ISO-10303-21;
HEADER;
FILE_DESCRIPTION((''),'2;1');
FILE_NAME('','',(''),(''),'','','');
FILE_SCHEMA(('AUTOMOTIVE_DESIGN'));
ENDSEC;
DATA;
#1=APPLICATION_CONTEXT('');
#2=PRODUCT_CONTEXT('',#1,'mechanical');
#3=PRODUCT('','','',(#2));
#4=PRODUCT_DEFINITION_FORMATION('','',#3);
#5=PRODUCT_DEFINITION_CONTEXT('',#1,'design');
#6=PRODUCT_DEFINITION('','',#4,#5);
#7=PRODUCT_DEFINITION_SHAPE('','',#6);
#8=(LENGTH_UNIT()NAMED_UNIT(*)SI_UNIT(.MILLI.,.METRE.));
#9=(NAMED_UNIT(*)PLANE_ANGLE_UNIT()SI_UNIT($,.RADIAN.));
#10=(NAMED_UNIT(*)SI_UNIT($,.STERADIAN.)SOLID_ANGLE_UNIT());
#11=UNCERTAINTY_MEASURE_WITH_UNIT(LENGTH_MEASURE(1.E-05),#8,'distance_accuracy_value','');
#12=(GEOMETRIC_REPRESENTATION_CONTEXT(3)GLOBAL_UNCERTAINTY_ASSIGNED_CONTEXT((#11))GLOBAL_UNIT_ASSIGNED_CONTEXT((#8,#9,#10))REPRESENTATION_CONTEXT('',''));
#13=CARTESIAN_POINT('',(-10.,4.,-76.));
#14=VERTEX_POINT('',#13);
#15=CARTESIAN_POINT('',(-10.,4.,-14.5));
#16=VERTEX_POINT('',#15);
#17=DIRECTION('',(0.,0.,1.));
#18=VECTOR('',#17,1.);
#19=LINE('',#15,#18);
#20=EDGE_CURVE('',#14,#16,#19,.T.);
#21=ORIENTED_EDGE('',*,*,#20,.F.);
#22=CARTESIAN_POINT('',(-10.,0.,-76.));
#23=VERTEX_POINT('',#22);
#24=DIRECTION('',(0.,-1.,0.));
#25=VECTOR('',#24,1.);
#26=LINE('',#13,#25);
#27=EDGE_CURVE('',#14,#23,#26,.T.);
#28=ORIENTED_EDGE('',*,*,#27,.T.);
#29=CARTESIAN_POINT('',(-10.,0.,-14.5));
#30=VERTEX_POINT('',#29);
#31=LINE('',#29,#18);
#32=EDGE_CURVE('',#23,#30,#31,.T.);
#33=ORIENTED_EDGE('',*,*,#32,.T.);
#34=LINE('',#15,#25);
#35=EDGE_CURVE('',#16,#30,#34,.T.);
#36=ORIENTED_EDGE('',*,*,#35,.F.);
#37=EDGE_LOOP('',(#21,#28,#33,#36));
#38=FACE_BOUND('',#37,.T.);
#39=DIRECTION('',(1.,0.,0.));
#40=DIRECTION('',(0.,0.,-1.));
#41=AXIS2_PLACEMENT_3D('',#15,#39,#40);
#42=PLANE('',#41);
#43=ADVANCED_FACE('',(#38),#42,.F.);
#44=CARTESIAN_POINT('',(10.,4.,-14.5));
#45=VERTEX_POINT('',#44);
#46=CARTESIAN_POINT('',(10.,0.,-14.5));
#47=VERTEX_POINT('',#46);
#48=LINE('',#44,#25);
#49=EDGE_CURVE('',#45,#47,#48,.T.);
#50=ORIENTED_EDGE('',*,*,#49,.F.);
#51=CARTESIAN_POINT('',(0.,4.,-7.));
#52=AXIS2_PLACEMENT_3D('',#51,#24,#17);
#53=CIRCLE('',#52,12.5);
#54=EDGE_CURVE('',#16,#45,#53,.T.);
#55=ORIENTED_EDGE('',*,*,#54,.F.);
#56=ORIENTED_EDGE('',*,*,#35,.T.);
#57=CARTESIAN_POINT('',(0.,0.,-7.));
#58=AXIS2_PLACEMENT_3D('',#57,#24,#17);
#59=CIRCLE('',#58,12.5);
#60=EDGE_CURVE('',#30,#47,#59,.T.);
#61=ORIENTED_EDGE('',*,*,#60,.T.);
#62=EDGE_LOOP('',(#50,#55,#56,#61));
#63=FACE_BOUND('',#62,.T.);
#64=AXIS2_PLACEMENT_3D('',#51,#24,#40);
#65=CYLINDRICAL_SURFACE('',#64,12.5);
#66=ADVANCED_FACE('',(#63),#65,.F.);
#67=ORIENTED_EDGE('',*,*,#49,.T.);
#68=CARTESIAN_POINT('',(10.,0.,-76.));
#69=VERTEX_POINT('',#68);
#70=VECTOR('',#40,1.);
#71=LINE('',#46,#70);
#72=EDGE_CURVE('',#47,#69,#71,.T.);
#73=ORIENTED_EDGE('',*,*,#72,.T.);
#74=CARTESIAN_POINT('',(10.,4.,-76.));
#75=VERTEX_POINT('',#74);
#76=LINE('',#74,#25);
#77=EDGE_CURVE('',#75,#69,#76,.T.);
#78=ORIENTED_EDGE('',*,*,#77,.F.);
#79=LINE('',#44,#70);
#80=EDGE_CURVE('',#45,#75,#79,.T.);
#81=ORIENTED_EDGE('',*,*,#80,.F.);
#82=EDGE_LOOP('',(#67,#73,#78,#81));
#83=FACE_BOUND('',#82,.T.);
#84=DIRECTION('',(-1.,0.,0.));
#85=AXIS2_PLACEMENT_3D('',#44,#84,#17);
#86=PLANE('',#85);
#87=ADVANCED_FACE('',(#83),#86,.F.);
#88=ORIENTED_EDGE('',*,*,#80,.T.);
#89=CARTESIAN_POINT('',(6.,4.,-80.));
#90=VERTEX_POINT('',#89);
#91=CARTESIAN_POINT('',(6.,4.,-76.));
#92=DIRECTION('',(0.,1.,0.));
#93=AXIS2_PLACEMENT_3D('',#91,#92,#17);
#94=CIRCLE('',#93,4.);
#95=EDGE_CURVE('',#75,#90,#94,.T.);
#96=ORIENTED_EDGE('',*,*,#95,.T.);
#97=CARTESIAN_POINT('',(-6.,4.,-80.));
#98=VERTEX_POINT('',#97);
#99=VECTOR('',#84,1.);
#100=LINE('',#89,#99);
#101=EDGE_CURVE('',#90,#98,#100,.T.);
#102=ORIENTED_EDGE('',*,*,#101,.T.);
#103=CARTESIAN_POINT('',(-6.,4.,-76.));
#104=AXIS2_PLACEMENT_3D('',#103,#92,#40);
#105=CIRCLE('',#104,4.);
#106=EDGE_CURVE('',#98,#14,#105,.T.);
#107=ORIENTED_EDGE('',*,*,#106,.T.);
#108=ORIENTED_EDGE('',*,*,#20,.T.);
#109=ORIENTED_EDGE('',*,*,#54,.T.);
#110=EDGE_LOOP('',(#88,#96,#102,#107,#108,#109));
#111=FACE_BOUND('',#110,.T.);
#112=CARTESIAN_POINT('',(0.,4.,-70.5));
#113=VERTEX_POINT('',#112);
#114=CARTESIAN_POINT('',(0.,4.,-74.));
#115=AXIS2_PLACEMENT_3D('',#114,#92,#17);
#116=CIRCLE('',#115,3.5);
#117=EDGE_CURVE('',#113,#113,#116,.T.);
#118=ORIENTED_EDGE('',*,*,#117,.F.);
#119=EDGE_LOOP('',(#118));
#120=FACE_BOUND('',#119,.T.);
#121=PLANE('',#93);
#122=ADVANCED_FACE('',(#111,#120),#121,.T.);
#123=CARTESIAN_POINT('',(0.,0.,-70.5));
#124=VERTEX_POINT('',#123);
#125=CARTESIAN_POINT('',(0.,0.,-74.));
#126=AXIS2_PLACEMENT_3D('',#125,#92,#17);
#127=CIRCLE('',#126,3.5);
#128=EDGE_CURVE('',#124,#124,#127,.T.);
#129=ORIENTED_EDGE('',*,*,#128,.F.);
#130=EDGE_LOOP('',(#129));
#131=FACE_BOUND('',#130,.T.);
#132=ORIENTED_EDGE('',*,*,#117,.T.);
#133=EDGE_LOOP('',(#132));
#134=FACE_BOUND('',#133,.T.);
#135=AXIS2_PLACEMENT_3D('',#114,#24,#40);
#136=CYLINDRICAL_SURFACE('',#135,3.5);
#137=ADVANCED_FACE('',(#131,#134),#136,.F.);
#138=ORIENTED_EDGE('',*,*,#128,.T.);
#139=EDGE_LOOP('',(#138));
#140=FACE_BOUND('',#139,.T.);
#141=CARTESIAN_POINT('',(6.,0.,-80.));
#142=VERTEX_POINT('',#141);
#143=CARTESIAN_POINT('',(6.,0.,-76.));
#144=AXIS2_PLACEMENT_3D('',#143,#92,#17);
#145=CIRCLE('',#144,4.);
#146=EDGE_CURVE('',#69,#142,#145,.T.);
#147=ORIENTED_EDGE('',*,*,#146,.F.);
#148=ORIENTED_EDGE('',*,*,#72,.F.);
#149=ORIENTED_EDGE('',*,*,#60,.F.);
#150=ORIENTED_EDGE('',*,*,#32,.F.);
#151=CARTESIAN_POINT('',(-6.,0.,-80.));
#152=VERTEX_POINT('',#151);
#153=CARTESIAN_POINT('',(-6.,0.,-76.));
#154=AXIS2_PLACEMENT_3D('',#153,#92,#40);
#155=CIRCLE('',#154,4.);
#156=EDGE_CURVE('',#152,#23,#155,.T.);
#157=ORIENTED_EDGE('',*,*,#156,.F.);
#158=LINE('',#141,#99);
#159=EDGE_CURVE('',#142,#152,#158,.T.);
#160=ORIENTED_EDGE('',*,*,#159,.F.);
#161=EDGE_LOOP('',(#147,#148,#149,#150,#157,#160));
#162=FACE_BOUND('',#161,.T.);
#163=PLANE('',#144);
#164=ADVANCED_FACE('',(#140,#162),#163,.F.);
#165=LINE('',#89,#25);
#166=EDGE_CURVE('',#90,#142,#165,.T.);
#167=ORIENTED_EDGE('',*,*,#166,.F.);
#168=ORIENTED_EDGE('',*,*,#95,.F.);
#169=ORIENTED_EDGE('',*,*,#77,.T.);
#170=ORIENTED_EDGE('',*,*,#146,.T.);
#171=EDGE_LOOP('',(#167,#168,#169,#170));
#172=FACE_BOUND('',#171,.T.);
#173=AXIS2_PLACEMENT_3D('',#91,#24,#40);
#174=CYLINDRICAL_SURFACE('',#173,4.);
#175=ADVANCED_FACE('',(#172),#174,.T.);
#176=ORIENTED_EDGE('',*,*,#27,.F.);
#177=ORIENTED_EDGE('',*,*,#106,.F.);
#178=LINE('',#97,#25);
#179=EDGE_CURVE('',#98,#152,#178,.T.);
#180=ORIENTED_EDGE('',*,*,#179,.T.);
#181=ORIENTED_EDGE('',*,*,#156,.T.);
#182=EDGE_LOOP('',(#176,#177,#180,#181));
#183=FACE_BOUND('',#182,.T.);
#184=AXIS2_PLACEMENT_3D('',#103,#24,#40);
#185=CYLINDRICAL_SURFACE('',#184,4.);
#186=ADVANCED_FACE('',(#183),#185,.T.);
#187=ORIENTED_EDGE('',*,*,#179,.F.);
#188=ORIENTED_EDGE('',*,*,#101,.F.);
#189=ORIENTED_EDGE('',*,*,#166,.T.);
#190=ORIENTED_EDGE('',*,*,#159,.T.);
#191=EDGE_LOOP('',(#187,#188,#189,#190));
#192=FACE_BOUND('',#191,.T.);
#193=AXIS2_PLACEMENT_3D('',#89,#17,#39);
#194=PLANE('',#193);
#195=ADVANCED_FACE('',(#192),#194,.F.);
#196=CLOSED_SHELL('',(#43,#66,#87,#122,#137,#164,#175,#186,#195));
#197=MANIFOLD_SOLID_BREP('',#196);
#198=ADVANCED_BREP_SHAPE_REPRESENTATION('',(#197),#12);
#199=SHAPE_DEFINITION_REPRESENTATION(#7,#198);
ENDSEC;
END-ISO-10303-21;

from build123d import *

# Parameters (mm, degrees)
SKETCH1_R           = 3.5
BOSS_EXTRUDE1_DEPTH = 4


with BuildPart() as part:
    # Sketch1 → Boss-Extrude1 (new body)
    with BuildSketch(Plane(origin=(0, 0, 0), x_dir=(1, 0, 0), z_dir=(0, 1, 0))):
        with BuildLine():
            Line((-10, 14.5), (-10, 76))
            ThreePointArc((-10, 76), (-8.828427125, 78.828427125), (-6, 80))
            Line((-6, 80), (6, 80))
            ThreePointArc((6, 80), (8.828427125, 78.828427125), (10, 76))
            Line((10, 76), (10, 14.5))
            ThreePointArc((10, 14.5), (0, 19.5), (-10, 14.5))
        make_face()
        with Locations(Location((0, 74, 0), (0, 0, 270))):
            Circle(SKETCH1_R, mode=Mode.SUBTRACT)
    extrude(amount=BOSS_EXTRUDE1_DEPTH)


solid = part.part
